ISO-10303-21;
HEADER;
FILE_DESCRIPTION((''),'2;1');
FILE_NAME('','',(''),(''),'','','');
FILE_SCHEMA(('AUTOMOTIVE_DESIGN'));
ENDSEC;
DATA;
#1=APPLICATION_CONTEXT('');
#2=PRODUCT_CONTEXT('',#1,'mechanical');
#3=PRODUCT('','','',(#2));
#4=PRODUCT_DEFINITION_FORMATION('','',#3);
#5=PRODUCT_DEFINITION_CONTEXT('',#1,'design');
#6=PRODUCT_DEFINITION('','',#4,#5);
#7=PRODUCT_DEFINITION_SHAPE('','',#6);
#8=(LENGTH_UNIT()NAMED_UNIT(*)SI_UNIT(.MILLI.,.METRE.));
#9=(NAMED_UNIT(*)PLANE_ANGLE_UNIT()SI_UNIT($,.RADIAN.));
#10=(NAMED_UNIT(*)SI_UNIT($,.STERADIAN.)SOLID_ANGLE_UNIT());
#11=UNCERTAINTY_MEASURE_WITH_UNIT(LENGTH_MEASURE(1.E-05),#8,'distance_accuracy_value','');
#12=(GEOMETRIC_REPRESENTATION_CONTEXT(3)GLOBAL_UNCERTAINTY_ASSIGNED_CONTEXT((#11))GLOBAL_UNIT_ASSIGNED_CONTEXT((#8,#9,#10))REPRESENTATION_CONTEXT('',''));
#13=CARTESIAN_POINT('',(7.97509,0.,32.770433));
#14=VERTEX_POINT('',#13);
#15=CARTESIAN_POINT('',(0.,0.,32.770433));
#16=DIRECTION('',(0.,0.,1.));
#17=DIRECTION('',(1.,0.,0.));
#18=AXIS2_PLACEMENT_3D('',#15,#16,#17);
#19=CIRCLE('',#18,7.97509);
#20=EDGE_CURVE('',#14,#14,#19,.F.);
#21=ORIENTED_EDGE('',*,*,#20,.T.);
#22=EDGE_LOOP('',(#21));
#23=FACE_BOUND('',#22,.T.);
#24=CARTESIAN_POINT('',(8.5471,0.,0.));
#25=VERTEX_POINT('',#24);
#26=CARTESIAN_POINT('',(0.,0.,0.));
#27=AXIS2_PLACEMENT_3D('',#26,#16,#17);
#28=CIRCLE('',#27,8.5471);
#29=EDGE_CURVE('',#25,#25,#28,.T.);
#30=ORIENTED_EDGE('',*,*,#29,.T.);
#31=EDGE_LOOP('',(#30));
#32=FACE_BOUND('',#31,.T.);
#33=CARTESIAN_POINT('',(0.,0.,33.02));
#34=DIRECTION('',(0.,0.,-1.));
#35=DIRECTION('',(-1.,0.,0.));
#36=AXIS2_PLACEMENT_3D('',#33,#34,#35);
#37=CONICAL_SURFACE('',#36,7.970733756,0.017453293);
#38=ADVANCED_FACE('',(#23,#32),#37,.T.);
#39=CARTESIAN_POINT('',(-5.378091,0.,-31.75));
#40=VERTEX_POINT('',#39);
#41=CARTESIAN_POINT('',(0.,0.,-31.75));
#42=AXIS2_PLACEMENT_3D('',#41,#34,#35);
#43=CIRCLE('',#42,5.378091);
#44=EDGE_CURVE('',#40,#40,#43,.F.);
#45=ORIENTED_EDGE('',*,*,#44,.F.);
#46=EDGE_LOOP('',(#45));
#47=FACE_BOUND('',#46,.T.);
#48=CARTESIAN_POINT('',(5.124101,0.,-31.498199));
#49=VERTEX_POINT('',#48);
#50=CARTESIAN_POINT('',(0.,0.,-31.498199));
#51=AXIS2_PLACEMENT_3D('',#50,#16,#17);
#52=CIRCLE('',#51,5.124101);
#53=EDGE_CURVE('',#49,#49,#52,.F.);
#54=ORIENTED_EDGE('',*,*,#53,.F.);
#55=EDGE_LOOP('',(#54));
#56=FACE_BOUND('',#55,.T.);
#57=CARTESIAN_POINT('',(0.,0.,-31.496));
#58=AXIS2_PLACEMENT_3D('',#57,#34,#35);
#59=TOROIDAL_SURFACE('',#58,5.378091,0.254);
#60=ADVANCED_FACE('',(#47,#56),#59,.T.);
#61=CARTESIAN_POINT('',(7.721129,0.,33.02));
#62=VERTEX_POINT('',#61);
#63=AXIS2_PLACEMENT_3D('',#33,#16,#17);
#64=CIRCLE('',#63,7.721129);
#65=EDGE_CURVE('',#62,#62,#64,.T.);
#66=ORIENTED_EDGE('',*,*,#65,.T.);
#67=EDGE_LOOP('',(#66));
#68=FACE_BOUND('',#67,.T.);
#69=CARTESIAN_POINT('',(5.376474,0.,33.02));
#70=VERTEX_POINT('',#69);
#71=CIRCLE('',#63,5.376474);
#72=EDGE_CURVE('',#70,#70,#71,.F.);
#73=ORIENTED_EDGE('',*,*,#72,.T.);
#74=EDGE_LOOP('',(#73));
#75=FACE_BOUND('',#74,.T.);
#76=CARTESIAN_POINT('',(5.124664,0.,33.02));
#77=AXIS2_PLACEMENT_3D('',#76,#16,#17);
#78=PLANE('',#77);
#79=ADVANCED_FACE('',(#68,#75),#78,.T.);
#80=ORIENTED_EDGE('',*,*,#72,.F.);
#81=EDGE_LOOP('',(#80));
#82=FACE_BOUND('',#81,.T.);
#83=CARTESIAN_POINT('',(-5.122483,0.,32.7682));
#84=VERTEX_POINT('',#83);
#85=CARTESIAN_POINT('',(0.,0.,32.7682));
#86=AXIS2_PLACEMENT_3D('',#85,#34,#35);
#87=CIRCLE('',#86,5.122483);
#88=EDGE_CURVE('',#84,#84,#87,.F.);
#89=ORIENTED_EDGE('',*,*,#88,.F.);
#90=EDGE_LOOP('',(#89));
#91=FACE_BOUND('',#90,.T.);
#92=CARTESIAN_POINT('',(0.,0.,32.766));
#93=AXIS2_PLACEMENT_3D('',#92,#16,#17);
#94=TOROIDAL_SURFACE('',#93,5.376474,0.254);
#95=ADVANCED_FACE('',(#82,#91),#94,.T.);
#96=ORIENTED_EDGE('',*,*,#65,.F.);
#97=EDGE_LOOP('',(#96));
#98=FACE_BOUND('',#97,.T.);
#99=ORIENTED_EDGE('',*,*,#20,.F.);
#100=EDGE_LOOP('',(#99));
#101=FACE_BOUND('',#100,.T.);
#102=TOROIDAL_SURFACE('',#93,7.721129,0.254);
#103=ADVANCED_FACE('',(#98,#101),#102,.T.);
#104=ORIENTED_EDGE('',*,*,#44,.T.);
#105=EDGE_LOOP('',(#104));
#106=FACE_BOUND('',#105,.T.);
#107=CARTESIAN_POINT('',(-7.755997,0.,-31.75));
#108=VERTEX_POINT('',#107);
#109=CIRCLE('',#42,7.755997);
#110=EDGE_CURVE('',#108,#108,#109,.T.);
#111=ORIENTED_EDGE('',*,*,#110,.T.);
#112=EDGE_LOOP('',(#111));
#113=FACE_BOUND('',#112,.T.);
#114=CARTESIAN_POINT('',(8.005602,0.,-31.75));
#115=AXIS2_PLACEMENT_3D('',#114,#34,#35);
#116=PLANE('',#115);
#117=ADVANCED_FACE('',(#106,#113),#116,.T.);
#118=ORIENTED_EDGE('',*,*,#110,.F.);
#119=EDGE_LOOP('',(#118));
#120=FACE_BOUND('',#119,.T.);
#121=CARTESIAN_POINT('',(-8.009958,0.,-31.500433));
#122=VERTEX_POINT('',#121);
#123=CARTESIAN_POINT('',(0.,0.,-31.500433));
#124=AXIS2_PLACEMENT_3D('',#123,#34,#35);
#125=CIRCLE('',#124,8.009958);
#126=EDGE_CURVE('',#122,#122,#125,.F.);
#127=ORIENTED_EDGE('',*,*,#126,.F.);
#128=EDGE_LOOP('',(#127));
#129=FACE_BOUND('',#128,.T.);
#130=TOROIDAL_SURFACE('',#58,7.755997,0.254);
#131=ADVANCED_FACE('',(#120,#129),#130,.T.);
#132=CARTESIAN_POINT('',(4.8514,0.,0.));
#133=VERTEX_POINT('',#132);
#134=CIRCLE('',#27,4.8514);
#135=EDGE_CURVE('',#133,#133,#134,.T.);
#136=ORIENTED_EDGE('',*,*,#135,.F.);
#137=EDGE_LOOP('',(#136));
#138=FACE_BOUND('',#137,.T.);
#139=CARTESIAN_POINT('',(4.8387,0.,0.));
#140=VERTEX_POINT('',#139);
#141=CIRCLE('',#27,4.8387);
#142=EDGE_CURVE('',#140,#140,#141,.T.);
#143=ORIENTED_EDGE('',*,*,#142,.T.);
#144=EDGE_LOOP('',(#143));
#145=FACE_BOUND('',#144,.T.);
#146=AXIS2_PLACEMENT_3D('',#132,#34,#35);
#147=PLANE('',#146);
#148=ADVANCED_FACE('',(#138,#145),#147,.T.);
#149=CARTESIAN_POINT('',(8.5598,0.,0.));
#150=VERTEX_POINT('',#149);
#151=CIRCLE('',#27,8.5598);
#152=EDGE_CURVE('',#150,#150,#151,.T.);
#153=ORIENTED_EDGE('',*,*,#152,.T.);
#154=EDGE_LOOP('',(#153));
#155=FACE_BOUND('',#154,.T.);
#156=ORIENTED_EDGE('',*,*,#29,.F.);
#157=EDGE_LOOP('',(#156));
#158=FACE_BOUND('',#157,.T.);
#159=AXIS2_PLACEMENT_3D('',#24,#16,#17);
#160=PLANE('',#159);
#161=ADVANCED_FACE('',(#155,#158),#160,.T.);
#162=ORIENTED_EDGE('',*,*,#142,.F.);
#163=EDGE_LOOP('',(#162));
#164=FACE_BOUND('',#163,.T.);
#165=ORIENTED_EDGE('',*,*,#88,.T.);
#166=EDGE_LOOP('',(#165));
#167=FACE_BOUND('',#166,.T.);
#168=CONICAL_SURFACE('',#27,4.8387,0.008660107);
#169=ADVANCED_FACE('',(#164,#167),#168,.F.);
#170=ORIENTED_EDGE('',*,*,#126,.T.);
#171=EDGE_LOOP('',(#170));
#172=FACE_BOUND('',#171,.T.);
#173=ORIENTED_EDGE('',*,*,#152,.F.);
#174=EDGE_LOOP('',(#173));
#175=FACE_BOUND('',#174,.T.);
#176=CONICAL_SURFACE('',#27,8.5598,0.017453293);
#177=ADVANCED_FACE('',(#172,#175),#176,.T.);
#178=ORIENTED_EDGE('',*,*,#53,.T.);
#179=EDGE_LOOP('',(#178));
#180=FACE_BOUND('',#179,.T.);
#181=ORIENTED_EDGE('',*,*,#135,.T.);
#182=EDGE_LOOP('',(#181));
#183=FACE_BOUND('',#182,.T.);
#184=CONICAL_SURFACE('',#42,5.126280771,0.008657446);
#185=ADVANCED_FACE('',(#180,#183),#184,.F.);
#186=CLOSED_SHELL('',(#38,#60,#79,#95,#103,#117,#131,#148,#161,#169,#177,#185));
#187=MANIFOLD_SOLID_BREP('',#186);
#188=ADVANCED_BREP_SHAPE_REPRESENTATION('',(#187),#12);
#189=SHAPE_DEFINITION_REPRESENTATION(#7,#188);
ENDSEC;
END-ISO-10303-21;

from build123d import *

# Parameters (mm, degrees)
FILLET1_R = 0.254


with BuildPart() as part:
    # Sketch1 → Revolve1 (revolve)
    with BuildSketch(Plane(origin=(0, 0, 0), x_dir=(1, 0, 0), z_dir=(0, 1, 0))):
        Polygon((5.126280771, 31.75), (4.8514, 0), (4.8387, 0), (5.124663893, -33.02), (7.970733756, -33.02), (8.5471, 0), (8.5598, 0), (8.005601689, 31.75), align=None)
    revolve(axis=Axis((0, 0, -31.75297092), (0, 0, 1)))

    # Fillet1
    fillet1_edges = [part.edges().sort_by_distance(p)[0] for p in [
        (-8.005601689, 0, -31.75),
        (-7.970733756, 0, 33.02),
        (-5.124663893, 0, 33.02),
        (-5.126280771, 0, -31.75),
    ]]
    fillet(fillet1_edges, radius=FILLET1_R)


solid = part.part
